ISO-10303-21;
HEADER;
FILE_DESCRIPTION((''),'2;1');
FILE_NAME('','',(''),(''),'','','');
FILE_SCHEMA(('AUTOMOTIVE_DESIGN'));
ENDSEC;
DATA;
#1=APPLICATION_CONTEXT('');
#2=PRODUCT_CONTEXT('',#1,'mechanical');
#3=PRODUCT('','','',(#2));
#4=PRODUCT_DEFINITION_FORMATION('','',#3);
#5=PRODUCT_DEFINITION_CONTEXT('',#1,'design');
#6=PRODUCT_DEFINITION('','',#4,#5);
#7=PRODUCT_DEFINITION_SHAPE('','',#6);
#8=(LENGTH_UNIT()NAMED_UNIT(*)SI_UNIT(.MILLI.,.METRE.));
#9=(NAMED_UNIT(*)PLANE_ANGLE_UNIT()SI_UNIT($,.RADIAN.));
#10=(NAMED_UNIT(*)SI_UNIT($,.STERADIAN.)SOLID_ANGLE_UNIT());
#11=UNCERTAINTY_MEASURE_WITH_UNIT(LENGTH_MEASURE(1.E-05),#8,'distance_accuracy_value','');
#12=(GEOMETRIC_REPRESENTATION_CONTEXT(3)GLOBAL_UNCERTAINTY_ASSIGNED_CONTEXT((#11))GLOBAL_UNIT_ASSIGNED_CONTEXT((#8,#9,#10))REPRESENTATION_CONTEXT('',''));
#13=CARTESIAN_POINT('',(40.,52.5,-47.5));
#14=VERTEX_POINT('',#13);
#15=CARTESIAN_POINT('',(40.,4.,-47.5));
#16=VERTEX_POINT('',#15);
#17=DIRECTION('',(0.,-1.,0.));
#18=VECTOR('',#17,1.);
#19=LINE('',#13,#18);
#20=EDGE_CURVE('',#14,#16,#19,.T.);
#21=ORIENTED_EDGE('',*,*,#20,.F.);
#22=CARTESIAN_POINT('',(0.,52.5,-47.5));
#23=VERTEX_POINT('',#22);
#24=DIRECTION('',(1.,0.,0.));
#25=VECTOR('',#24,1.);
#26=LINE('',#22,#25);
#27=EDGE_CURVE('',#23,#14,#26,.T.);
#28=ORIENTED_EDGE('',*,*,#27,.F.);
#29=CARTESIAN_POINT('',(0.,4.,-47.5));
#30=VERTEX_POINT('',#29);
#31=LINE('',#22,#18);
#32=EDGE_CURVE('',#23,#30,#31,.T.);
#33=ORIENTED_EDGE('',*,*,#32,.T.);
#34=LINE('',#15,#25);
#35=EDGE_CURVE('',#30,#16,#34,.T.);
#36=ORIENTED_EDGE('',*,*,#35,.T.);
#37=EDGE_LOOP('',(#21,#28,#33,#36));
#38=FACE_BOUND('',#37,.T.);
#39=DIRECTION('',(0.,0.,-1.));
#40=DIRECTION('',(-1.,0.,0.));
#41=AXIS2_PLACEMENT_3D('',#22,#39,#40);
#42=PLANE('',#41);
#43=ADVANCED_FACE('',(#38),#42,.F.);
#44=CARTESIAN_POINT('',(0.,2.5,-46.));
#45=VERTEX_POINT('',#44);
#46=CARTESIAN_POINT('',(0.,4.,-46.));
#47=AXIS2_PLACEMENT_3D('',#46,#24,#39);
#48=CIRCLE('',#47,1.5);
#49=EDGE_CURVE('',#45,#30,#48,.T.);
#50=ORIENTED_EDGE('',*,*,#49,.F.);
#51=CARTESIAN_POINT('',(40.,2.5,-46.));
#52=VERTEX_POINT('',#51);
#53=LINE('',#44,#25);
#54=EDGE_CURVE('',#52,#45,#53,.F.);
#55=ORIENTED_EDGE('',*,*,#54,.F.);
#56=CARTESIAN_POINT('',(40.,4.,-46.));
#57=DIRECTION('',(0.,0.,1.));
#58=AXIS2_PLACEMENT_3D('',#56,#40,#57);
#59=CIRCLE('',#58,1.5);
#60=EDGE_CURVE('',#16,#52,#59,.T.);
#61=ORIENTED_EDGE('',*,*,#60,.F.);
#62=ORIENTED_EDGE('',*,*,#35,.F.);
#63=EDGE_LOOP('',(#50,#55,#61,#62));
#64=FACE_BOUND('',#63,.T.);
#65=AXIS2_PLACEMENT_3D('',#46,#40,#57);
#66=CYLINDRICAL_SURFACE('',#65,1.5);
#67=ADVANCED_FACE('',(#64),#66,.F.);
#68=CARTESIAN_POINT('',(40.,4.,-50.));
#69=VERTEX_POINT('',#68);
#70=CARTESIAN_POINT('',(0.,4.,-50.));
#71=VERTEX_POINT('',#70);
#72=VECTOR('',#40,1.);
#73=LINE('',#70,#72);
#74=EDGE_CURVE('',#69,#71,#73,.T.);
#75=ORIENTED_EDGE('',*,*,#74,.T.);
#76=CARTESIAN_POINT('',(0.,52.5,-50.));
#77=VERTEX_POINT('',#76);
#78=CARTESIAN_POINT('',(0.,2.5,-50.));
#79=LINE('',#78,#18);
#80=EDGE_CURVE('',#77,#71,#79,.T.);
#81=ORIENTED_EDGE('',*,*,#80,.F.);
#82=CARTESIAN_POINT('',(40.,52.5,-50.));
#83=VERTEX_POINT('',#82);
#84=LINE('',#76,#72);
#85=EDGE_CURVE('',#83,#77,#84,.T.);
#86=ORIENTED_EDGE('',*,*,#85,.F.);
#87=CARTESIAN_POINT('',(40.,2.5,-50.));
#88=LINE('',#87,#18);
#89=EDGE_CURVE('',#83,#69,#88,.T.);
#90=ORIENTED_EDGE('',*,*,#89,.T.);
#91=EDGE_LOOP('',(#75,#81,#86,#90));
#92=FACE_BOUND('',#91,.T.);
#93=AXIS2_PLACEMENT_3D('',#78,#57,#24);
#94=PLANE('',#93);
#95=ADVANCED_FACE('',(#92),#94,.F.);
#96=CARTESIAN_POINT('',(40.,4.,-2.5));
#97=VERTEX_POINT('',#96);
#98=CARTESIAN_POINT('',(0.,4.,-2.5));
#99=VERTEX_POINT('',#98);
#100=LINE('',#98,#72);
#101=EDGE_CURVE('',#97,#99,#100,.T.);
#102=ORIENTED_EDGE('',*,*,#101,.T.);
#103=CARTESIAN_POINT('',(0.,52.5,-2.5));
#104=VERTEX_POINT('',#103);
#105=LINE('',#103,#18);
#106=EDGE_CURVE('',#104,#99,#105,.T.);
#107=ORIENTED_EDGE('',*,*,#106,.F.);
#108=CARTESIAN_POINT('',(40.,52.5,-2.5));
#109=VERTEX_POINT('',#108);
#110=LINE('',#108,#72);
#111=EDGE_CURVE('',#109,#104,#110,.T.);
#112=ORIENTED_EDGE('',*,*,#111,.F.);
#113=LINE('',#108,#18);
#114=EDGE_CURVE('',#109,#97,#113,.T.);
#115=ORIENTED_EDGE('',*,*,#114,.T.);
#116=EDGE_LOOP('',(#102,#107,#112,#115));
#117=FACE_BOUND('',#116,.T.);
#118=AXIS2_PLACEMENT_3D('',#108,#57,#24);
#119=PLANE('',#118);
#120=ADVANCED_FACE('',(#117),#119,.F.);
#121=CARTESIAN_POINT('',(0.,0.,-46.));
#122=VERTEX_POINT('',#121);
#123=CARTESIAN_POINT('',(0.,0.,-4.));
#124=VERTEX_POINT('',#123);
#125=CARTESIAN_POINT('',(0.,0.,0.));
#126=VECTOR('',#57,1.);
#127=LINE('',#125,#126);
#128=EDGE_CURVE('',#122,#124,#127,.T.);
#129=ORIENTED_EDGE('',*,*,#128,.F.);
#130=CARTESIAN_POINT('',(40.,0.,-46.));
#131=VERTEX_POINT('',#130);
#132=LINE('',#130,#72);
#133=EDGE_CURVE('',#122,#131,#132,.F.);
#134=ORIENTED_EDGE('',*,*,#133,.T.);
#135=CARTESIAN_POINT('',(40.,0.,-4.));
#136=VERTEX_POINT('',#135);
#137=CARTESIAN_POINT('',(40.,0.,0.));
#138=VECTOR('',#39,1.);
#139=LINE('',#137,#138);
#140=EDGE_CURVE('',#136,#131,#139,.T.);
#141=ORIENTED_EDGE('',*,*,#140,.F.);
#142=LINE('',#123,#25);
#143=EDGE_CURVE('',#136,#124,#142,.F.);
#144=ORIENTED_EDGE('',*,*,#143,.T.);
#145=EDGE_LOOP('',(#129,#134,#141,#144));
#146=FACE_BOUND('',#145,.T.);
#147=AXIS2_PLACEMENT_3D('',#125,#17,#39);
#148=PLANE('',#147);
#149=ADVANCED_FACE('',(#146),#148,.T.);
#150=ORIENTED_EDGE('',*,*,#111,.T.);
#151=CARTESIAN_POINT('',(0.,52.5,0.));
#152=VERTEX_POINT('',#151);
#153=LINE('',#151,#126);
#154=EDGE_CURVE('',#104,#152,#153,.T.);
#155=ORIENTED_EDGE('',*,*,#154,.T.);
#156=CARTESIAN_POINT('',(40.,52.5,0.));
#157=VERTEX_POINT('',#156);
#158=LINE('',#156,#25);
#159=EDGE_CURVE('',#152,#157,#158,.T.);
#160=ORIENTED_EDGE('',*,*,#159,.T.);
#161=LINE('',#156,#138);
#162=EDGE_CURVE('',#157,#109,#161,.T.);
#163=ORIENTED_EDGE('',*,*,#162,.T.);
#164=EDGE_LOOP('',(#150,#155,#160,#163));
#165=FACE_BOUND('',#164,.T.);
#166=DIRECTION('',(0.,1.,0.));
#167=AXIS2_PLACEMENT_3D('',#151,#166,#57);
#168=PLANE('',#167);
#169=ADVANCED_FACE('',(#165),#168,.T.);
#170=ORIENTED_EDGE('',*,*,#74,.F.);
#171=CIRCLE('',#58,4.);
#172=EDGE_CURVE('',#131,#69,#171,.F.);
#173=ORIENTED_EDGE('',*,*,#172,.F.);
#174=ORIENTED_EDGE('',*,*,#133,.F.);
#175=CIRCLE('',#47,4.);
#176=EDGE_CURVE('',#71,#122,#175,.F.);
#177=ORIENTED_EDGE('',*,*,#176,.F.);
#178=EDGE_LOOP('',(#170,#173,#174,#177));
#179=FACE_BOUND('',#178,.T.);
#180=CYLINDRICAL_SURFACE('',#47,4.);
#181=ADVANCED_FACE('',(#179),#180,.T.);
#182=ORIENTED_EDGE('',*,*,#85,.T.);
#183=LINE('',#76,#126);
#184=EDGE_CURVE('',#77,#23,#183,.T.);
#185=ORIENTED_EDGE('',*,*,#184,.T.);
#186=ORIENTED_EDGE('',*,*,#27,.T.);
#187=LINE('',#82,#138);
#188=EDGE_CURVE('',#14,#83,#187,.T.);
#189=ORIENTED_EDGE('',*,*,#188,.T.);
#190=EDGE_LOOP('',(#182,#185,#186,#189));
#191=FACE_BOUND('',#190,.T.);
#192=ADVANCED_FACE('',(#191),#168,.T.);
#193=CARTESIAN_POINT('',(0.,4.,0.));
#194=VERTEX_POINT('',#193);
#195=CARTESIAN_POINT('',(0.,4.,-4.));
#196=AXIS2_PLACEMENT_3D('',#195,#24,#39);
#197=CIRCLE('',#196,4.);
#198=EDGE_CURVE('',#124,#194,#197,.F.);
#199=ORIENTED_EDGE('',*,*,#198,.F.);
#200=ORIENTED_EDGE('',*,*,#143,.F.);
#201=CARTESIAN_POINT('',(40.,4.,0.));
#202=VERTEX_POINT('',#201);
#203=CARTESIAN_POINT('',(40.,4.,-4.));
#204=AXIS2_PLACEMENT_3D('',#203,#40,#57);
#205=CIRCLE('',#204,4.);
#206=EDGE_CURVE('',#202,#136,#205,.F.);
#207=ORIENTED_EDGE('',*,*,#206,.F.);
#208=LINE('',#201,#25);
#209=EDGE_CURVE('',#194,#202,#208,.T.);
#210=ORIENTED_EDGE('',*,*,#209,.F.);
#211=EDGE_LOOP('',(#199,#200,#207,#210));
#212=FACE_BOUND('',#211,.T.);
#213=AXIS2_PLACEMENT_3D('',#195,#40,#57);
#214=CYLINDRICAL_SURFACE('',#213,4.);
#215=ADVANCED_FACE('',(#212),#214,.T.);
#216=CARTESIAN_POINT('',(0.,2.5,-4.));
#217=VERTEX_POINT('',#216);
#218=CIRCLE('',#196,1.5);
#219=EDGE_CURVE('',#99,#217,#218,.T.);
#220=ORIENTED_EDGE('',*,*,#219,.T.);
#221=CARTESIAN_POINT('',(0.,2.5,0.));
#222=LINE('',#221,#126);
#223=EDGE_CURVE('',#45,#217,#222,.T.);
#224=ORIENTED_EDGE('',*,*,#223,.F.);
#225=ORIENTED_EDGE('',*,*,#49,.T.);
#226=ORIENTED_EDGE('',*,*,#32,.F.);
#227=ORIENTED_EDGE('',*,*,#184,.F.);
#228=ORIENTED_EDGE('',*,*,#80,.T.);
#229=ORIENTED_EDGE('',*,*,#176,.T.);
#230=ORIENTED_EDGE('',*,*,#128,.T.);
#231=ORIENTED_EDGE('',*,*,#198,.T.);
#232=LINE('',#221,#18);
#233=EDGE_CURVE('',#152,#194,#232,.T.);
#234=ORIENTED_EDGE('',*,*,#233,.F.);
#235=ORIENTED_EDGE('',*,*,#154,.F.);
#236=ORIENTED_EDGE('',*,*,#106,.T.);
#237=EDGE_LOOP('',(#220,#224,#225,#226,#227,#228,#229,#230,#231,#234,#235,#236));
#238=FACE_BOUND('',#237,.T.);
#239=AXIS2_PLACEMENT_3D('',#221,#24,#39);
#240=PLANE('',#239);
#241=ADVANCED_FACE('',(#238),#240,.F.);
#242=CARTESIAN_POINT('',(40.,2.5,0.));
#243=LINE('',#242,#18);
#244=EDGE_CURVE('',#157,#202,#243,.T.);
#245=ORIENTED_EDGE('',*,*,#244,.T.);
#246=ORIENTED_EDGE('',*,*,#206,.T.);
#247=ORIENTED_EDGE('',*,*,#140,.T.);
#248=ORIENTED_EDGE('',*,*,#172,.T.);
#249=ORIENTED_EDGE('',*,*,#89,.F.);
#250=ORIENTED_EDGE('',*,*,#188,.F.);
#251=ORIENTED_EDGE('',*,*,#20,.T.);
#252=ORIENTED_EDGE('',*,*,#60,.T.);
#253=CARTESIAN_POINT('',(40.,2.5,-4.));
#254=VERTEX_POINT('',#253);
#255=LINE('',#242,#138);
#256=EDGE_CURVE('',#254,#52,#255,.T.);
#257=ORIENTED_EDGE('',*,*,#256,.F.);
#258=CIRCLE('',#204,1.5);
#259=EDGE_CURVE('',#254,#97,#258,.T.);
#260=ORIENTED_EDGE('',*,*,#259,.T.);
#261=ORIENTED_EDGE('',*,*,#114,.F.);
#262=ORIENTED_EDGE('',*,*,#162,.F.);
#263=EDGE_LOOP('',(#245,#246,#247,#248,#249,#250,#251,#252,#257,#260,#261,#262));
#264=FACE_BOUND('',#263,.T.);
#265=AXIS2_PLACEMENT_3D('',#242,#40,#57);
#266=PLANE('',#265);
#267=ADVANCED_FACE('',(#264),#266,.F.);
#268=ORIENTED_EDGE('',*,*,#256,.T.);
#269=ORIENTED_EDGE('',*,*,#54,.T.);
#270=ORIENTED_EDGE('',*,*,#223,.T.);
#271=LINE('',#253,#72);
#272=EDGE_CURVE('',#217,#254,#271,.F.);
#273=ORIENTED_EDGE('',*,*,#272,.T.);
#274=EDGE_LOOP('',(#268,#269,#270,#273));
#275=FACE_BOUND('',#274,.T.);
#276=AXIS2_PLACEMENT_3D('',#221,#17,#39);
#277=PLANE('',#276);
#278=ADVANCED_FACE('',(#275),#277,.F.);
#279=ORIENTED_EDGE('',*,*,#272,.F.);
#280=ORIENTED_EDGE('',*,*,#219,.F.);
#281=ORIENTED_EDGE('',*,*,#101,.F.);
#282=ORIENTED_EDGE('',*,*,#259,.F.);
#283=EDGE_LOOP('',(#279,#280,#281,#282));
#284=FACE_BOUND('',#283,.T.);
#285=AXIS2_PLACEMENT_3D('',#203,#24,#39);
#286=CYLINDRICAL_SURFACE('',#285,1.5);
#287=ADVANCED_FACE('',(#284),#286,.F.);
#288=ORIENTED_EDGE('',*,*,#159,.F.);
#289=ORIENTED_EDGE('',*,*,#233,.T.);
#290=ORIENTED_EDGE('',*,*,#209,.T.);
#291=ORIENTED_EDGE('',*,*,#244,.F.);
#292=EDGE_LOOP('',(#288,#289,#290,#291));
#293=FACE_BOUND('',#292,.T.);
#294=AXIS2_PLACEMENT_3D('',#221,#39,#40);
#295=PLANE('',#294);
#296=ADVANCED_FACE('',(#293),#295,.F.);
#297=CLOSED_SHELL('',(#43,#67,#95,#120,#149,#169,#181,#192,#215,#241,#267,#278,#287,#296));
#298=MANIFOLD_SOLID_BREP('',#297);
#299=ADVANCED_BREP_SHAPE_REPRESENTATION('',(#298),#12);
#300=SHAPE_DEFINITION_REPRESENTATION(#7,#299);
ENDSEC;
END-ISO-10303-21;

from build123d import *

# Parameters (mm, degrees)
SKETCH1_W           = 40
SKETCH1_H           = 50
BOSS_EXTRUDE1_DEPTH = 2.5
SKETCH2_W           = 40
SKETCH2_H           = 2.5
BOSS_EXTRUDE2_DEPTH = 50
FILLET1_R           = 4
FILLET2_R           = 1.5


with BuildPart() as part:
    # Sketch1 → Boss-Extrude1 (new body)
    with BuildSketch(Plane(origin=(0, 0, 0), x_dir=(1, 0, 0), z_dir=(0, 1, 0))):
        with Locations((20, 25)):
            Rectangle(SKETCH1_W, SKETCH1_H)
    extrude(amount=BOSS_EXTRUDE1_DEPTH)

    # Sketch2 → Boss-Extrude2 (add)
    with BuildSketch(Plane(origin=(0, 2.5, 0), x_dir=(1, 0, 0), z_dir=(0, 1, 0))):
        with Locations((20, 48.75)):
            Rectangle(SKETCH2_W, SKETCH2_H)
        with Locations((20, 1.25)):
            Rectangle(SKETCH2_W, SKETCH2_H)
    extrude(amount=BOSS_EXTRUDE2_DEPTH)

    # Fillet1
    fillet1_edges = [part.edges().sort_by_distance(p)[0] for p in [
        (20, 0, -50),
        (20, 0, 0),
    ]]
    fillet(fillet1_edges, radius=FILLET1_R)

    # Fillet2
    fillet2_edges = [part.edges().sort_by_distance(p)[0] for p in [
        (20, 2.5, -47.5),
        (20, 2.5, -2.5),
    ]]
    fillet(fillet2_edges, radius=FILLET2_R)


solid = part.part
